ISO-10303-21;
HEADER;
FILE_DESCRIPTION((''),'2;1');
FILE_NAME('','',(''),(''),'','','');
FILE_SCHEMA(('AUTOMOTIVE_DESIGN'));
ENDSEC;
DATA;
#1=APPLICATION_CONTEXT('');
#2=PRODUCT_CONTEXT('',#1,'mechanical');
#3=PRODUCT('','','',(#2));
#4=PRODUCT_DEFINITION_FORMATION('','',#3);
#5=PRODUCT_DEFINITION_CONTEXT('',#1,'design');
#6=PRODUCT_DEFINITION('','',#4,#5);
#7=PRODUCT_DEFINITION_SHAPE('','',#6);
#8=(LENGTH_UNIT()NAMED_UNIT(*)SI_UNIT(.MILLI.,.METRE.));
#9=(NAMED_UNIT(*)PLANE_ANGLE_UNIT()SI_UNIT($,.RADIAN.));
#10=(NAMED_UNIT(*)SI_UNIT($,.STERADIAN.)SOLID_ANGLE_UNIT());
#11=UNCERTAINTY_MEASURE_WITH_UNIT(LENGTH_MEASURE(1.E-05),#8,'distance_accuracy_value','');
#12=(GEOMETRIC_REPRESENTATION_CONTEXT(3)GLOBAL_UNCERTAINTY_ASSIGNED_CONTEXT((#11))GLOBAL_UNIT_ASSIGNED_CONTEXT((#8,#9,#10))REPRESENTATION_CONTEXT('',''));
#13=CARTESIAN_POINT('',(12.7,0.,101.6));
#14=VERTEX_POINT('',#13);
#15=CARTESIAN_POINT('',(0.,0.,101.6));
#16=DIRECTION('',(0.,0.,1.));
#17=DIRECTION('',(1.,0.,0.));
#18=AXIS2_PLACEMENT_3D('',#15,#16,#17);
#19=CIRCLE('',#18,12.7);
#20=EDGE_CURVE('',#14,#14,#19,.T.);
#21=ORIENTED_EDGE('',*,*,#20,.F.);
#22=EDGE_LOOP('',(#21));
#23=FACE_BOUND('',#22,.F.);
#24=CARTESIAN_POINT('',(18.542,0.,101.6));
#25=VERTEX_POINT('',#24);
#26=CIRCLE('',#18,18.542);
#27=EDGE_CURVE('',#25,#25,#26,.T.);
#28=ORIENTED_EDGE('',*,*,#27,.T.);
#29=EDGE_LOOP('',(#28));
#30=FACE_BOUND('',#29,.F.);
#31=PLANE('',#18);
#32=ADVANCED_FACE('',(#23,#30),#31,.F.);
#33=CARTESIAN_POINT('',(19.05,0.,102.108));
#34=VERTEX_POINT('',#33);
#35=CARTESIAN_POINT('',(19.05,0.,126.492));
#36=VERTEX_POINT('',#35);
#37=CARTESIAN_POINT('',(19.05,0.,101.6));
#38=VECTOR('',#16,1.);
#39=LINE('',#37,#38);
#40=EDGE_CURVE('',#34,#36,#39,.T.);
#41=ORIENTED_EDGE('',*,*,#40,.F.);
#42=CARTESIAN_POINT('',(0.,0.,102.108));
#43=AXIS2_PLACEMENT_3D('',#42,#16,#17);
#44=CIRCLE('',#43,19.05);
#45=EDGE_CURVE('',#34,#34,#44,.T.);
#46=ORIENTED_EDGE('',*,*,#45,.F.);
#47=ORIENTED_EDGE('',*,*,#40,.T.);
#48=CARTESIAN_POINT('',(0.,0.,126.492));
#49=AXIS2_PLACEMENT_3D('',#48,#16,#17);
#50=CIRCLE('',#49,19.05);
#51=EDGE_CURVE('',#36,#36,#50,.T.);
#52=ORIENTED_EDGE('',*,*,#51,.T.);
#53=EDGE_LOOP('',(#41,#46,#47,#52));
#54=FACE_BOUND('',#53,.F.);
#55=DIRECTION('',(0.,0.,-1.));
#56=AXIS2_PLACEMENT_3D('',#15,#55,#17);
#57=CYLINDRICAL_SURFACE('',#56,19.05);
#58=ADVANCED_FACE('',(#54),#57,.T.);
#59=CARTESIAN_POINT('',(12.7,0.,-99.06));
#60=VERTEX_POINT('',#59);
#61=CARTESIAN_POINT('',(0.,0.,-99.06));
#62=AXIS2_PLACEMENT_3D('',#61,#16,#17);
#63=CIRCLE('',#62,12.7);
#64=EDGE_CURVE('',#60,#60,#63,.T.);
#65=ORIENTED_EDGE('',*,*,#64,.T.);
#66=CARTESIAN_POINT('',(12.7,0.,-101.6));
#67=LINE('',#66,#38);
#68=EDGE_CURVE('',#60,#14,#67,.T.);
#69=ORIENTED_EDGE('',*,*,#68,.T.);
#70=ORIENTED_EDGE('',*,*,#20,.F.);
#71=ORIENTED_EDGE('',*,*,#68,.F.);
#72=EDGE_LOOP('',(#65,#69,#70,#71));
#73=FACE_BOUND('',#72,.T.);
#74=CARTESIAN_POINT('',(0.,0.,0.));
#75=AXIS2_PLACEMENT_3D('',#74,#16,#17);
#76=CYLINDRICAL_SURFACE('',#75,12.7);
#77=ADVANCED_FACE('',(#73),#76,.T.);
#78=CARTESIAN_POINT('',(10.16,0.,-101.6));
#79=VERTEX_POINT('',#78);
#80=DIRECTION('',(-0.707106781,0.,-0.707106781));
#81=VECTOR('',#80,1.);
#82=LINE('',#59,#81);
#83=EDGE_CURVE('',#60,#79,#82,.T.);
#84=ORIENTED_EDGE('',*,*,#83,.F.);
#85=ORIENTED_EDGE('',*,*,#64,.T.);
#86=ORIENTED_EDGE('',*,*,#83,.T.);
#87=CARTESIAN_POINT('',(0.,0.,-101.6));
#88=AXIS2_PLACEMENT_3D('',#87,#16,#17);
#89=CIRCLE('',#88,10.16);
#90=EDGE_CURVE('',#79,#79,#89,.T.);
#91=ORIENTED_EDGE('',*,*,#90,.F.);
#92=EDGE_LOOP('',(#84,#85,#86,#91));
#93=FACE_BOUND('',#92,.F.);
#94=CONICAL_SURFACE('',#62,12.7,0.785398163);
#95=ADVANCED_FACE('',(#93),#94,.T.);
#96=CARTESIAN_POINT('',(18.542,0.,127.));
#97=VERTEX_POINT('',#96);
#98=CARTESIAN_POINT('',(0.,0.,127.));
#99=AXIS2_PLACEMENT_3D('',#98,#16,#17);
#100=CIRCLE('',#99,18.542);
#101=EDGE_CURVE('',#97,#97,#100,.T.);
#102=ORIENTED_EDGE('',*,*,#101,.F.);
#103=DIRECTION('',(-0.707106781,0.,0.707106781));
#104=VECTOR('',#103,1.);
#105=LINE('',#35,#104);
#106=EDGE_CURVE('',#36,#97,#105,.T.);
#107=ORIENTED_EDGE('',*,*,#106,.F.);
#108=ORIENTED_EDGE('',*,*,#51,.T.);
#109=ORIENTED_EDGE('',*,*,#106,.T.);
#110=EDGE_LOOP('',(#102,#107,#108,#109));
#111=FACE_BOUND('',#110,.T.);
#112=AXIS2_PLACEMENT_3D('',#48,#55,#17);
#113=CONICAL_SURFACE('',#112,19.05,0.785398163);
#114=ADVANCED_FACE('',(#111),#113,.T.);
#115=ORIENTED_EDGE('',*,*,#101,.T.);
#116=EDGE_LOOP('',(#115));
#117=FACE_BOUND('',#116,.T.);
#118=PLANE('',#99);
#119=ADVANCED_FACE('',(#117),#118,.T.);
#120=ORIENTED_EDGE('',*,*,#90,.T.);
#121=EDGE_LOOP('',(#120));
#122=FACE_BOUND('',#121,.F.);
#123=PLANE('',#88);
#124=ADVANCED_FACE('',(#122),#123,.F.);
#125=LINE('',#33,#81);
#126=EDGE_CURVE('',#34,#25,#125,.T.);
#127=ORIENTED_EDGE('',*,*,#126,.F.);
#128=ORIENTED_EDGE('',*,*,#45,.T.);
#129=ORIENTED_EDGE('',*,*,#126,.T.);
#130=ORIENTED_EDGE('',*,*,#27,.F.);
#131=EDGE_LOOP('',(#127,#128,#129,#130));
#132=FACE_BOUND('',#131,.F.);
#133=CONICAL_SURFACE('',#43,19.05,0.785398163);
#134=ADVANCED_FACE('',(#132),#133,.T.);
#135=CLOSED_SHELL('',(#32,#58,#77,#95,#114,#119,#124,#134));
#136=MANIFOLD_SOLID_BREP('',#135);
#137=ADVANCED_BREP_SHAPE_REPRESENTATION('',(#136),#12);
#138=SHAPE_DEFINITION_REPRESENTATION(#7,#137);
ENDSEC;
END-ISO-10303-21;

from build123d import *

# Parameters (mm, degrees)
F0_R     = 12.7
F1_DEPTH = 101.6
F2_SIZE  = 2.54
F3_R     = 19.05
F3_R_2   = 12.7
F4_DEPTH = 25.4
F5_SIZE  = 0.508


with BuildPart() as f1:
    # F0 (on Top) → F1 (new body, symmetric)
    with BuildSketch(Plane.XY):
        Circle(F0_R)
    extrude(amount=F1_DEPTH, both=True)

    # F2
    f2_edges = [f1.edges().sort_by_distance(p)[0] for p in [
        (-12.7, 0, -101.6),
    ]]
    chamfer(f2_edges, length=F2_SIZE)

    # F3 (on face) → F4 (join)
    with BuildSketch(Plane.XY.offset(101.6)):
        Circle(F3_R)
        Circle(F3_R_2, mode=Mode.SUBTRACT)
        Circle(F3_R_2)
    extrude(amount=F4_DEPTH)

    # F5
    f5_edges = [f1.edges().sort_by_distance(p)[0] for p in [
        (-19.05, 0, 127),
        (-19.05, 0, 101.6),
    ]]
    chamfer(f5_edges, length=F5_SIZE)


solid = f1.part
